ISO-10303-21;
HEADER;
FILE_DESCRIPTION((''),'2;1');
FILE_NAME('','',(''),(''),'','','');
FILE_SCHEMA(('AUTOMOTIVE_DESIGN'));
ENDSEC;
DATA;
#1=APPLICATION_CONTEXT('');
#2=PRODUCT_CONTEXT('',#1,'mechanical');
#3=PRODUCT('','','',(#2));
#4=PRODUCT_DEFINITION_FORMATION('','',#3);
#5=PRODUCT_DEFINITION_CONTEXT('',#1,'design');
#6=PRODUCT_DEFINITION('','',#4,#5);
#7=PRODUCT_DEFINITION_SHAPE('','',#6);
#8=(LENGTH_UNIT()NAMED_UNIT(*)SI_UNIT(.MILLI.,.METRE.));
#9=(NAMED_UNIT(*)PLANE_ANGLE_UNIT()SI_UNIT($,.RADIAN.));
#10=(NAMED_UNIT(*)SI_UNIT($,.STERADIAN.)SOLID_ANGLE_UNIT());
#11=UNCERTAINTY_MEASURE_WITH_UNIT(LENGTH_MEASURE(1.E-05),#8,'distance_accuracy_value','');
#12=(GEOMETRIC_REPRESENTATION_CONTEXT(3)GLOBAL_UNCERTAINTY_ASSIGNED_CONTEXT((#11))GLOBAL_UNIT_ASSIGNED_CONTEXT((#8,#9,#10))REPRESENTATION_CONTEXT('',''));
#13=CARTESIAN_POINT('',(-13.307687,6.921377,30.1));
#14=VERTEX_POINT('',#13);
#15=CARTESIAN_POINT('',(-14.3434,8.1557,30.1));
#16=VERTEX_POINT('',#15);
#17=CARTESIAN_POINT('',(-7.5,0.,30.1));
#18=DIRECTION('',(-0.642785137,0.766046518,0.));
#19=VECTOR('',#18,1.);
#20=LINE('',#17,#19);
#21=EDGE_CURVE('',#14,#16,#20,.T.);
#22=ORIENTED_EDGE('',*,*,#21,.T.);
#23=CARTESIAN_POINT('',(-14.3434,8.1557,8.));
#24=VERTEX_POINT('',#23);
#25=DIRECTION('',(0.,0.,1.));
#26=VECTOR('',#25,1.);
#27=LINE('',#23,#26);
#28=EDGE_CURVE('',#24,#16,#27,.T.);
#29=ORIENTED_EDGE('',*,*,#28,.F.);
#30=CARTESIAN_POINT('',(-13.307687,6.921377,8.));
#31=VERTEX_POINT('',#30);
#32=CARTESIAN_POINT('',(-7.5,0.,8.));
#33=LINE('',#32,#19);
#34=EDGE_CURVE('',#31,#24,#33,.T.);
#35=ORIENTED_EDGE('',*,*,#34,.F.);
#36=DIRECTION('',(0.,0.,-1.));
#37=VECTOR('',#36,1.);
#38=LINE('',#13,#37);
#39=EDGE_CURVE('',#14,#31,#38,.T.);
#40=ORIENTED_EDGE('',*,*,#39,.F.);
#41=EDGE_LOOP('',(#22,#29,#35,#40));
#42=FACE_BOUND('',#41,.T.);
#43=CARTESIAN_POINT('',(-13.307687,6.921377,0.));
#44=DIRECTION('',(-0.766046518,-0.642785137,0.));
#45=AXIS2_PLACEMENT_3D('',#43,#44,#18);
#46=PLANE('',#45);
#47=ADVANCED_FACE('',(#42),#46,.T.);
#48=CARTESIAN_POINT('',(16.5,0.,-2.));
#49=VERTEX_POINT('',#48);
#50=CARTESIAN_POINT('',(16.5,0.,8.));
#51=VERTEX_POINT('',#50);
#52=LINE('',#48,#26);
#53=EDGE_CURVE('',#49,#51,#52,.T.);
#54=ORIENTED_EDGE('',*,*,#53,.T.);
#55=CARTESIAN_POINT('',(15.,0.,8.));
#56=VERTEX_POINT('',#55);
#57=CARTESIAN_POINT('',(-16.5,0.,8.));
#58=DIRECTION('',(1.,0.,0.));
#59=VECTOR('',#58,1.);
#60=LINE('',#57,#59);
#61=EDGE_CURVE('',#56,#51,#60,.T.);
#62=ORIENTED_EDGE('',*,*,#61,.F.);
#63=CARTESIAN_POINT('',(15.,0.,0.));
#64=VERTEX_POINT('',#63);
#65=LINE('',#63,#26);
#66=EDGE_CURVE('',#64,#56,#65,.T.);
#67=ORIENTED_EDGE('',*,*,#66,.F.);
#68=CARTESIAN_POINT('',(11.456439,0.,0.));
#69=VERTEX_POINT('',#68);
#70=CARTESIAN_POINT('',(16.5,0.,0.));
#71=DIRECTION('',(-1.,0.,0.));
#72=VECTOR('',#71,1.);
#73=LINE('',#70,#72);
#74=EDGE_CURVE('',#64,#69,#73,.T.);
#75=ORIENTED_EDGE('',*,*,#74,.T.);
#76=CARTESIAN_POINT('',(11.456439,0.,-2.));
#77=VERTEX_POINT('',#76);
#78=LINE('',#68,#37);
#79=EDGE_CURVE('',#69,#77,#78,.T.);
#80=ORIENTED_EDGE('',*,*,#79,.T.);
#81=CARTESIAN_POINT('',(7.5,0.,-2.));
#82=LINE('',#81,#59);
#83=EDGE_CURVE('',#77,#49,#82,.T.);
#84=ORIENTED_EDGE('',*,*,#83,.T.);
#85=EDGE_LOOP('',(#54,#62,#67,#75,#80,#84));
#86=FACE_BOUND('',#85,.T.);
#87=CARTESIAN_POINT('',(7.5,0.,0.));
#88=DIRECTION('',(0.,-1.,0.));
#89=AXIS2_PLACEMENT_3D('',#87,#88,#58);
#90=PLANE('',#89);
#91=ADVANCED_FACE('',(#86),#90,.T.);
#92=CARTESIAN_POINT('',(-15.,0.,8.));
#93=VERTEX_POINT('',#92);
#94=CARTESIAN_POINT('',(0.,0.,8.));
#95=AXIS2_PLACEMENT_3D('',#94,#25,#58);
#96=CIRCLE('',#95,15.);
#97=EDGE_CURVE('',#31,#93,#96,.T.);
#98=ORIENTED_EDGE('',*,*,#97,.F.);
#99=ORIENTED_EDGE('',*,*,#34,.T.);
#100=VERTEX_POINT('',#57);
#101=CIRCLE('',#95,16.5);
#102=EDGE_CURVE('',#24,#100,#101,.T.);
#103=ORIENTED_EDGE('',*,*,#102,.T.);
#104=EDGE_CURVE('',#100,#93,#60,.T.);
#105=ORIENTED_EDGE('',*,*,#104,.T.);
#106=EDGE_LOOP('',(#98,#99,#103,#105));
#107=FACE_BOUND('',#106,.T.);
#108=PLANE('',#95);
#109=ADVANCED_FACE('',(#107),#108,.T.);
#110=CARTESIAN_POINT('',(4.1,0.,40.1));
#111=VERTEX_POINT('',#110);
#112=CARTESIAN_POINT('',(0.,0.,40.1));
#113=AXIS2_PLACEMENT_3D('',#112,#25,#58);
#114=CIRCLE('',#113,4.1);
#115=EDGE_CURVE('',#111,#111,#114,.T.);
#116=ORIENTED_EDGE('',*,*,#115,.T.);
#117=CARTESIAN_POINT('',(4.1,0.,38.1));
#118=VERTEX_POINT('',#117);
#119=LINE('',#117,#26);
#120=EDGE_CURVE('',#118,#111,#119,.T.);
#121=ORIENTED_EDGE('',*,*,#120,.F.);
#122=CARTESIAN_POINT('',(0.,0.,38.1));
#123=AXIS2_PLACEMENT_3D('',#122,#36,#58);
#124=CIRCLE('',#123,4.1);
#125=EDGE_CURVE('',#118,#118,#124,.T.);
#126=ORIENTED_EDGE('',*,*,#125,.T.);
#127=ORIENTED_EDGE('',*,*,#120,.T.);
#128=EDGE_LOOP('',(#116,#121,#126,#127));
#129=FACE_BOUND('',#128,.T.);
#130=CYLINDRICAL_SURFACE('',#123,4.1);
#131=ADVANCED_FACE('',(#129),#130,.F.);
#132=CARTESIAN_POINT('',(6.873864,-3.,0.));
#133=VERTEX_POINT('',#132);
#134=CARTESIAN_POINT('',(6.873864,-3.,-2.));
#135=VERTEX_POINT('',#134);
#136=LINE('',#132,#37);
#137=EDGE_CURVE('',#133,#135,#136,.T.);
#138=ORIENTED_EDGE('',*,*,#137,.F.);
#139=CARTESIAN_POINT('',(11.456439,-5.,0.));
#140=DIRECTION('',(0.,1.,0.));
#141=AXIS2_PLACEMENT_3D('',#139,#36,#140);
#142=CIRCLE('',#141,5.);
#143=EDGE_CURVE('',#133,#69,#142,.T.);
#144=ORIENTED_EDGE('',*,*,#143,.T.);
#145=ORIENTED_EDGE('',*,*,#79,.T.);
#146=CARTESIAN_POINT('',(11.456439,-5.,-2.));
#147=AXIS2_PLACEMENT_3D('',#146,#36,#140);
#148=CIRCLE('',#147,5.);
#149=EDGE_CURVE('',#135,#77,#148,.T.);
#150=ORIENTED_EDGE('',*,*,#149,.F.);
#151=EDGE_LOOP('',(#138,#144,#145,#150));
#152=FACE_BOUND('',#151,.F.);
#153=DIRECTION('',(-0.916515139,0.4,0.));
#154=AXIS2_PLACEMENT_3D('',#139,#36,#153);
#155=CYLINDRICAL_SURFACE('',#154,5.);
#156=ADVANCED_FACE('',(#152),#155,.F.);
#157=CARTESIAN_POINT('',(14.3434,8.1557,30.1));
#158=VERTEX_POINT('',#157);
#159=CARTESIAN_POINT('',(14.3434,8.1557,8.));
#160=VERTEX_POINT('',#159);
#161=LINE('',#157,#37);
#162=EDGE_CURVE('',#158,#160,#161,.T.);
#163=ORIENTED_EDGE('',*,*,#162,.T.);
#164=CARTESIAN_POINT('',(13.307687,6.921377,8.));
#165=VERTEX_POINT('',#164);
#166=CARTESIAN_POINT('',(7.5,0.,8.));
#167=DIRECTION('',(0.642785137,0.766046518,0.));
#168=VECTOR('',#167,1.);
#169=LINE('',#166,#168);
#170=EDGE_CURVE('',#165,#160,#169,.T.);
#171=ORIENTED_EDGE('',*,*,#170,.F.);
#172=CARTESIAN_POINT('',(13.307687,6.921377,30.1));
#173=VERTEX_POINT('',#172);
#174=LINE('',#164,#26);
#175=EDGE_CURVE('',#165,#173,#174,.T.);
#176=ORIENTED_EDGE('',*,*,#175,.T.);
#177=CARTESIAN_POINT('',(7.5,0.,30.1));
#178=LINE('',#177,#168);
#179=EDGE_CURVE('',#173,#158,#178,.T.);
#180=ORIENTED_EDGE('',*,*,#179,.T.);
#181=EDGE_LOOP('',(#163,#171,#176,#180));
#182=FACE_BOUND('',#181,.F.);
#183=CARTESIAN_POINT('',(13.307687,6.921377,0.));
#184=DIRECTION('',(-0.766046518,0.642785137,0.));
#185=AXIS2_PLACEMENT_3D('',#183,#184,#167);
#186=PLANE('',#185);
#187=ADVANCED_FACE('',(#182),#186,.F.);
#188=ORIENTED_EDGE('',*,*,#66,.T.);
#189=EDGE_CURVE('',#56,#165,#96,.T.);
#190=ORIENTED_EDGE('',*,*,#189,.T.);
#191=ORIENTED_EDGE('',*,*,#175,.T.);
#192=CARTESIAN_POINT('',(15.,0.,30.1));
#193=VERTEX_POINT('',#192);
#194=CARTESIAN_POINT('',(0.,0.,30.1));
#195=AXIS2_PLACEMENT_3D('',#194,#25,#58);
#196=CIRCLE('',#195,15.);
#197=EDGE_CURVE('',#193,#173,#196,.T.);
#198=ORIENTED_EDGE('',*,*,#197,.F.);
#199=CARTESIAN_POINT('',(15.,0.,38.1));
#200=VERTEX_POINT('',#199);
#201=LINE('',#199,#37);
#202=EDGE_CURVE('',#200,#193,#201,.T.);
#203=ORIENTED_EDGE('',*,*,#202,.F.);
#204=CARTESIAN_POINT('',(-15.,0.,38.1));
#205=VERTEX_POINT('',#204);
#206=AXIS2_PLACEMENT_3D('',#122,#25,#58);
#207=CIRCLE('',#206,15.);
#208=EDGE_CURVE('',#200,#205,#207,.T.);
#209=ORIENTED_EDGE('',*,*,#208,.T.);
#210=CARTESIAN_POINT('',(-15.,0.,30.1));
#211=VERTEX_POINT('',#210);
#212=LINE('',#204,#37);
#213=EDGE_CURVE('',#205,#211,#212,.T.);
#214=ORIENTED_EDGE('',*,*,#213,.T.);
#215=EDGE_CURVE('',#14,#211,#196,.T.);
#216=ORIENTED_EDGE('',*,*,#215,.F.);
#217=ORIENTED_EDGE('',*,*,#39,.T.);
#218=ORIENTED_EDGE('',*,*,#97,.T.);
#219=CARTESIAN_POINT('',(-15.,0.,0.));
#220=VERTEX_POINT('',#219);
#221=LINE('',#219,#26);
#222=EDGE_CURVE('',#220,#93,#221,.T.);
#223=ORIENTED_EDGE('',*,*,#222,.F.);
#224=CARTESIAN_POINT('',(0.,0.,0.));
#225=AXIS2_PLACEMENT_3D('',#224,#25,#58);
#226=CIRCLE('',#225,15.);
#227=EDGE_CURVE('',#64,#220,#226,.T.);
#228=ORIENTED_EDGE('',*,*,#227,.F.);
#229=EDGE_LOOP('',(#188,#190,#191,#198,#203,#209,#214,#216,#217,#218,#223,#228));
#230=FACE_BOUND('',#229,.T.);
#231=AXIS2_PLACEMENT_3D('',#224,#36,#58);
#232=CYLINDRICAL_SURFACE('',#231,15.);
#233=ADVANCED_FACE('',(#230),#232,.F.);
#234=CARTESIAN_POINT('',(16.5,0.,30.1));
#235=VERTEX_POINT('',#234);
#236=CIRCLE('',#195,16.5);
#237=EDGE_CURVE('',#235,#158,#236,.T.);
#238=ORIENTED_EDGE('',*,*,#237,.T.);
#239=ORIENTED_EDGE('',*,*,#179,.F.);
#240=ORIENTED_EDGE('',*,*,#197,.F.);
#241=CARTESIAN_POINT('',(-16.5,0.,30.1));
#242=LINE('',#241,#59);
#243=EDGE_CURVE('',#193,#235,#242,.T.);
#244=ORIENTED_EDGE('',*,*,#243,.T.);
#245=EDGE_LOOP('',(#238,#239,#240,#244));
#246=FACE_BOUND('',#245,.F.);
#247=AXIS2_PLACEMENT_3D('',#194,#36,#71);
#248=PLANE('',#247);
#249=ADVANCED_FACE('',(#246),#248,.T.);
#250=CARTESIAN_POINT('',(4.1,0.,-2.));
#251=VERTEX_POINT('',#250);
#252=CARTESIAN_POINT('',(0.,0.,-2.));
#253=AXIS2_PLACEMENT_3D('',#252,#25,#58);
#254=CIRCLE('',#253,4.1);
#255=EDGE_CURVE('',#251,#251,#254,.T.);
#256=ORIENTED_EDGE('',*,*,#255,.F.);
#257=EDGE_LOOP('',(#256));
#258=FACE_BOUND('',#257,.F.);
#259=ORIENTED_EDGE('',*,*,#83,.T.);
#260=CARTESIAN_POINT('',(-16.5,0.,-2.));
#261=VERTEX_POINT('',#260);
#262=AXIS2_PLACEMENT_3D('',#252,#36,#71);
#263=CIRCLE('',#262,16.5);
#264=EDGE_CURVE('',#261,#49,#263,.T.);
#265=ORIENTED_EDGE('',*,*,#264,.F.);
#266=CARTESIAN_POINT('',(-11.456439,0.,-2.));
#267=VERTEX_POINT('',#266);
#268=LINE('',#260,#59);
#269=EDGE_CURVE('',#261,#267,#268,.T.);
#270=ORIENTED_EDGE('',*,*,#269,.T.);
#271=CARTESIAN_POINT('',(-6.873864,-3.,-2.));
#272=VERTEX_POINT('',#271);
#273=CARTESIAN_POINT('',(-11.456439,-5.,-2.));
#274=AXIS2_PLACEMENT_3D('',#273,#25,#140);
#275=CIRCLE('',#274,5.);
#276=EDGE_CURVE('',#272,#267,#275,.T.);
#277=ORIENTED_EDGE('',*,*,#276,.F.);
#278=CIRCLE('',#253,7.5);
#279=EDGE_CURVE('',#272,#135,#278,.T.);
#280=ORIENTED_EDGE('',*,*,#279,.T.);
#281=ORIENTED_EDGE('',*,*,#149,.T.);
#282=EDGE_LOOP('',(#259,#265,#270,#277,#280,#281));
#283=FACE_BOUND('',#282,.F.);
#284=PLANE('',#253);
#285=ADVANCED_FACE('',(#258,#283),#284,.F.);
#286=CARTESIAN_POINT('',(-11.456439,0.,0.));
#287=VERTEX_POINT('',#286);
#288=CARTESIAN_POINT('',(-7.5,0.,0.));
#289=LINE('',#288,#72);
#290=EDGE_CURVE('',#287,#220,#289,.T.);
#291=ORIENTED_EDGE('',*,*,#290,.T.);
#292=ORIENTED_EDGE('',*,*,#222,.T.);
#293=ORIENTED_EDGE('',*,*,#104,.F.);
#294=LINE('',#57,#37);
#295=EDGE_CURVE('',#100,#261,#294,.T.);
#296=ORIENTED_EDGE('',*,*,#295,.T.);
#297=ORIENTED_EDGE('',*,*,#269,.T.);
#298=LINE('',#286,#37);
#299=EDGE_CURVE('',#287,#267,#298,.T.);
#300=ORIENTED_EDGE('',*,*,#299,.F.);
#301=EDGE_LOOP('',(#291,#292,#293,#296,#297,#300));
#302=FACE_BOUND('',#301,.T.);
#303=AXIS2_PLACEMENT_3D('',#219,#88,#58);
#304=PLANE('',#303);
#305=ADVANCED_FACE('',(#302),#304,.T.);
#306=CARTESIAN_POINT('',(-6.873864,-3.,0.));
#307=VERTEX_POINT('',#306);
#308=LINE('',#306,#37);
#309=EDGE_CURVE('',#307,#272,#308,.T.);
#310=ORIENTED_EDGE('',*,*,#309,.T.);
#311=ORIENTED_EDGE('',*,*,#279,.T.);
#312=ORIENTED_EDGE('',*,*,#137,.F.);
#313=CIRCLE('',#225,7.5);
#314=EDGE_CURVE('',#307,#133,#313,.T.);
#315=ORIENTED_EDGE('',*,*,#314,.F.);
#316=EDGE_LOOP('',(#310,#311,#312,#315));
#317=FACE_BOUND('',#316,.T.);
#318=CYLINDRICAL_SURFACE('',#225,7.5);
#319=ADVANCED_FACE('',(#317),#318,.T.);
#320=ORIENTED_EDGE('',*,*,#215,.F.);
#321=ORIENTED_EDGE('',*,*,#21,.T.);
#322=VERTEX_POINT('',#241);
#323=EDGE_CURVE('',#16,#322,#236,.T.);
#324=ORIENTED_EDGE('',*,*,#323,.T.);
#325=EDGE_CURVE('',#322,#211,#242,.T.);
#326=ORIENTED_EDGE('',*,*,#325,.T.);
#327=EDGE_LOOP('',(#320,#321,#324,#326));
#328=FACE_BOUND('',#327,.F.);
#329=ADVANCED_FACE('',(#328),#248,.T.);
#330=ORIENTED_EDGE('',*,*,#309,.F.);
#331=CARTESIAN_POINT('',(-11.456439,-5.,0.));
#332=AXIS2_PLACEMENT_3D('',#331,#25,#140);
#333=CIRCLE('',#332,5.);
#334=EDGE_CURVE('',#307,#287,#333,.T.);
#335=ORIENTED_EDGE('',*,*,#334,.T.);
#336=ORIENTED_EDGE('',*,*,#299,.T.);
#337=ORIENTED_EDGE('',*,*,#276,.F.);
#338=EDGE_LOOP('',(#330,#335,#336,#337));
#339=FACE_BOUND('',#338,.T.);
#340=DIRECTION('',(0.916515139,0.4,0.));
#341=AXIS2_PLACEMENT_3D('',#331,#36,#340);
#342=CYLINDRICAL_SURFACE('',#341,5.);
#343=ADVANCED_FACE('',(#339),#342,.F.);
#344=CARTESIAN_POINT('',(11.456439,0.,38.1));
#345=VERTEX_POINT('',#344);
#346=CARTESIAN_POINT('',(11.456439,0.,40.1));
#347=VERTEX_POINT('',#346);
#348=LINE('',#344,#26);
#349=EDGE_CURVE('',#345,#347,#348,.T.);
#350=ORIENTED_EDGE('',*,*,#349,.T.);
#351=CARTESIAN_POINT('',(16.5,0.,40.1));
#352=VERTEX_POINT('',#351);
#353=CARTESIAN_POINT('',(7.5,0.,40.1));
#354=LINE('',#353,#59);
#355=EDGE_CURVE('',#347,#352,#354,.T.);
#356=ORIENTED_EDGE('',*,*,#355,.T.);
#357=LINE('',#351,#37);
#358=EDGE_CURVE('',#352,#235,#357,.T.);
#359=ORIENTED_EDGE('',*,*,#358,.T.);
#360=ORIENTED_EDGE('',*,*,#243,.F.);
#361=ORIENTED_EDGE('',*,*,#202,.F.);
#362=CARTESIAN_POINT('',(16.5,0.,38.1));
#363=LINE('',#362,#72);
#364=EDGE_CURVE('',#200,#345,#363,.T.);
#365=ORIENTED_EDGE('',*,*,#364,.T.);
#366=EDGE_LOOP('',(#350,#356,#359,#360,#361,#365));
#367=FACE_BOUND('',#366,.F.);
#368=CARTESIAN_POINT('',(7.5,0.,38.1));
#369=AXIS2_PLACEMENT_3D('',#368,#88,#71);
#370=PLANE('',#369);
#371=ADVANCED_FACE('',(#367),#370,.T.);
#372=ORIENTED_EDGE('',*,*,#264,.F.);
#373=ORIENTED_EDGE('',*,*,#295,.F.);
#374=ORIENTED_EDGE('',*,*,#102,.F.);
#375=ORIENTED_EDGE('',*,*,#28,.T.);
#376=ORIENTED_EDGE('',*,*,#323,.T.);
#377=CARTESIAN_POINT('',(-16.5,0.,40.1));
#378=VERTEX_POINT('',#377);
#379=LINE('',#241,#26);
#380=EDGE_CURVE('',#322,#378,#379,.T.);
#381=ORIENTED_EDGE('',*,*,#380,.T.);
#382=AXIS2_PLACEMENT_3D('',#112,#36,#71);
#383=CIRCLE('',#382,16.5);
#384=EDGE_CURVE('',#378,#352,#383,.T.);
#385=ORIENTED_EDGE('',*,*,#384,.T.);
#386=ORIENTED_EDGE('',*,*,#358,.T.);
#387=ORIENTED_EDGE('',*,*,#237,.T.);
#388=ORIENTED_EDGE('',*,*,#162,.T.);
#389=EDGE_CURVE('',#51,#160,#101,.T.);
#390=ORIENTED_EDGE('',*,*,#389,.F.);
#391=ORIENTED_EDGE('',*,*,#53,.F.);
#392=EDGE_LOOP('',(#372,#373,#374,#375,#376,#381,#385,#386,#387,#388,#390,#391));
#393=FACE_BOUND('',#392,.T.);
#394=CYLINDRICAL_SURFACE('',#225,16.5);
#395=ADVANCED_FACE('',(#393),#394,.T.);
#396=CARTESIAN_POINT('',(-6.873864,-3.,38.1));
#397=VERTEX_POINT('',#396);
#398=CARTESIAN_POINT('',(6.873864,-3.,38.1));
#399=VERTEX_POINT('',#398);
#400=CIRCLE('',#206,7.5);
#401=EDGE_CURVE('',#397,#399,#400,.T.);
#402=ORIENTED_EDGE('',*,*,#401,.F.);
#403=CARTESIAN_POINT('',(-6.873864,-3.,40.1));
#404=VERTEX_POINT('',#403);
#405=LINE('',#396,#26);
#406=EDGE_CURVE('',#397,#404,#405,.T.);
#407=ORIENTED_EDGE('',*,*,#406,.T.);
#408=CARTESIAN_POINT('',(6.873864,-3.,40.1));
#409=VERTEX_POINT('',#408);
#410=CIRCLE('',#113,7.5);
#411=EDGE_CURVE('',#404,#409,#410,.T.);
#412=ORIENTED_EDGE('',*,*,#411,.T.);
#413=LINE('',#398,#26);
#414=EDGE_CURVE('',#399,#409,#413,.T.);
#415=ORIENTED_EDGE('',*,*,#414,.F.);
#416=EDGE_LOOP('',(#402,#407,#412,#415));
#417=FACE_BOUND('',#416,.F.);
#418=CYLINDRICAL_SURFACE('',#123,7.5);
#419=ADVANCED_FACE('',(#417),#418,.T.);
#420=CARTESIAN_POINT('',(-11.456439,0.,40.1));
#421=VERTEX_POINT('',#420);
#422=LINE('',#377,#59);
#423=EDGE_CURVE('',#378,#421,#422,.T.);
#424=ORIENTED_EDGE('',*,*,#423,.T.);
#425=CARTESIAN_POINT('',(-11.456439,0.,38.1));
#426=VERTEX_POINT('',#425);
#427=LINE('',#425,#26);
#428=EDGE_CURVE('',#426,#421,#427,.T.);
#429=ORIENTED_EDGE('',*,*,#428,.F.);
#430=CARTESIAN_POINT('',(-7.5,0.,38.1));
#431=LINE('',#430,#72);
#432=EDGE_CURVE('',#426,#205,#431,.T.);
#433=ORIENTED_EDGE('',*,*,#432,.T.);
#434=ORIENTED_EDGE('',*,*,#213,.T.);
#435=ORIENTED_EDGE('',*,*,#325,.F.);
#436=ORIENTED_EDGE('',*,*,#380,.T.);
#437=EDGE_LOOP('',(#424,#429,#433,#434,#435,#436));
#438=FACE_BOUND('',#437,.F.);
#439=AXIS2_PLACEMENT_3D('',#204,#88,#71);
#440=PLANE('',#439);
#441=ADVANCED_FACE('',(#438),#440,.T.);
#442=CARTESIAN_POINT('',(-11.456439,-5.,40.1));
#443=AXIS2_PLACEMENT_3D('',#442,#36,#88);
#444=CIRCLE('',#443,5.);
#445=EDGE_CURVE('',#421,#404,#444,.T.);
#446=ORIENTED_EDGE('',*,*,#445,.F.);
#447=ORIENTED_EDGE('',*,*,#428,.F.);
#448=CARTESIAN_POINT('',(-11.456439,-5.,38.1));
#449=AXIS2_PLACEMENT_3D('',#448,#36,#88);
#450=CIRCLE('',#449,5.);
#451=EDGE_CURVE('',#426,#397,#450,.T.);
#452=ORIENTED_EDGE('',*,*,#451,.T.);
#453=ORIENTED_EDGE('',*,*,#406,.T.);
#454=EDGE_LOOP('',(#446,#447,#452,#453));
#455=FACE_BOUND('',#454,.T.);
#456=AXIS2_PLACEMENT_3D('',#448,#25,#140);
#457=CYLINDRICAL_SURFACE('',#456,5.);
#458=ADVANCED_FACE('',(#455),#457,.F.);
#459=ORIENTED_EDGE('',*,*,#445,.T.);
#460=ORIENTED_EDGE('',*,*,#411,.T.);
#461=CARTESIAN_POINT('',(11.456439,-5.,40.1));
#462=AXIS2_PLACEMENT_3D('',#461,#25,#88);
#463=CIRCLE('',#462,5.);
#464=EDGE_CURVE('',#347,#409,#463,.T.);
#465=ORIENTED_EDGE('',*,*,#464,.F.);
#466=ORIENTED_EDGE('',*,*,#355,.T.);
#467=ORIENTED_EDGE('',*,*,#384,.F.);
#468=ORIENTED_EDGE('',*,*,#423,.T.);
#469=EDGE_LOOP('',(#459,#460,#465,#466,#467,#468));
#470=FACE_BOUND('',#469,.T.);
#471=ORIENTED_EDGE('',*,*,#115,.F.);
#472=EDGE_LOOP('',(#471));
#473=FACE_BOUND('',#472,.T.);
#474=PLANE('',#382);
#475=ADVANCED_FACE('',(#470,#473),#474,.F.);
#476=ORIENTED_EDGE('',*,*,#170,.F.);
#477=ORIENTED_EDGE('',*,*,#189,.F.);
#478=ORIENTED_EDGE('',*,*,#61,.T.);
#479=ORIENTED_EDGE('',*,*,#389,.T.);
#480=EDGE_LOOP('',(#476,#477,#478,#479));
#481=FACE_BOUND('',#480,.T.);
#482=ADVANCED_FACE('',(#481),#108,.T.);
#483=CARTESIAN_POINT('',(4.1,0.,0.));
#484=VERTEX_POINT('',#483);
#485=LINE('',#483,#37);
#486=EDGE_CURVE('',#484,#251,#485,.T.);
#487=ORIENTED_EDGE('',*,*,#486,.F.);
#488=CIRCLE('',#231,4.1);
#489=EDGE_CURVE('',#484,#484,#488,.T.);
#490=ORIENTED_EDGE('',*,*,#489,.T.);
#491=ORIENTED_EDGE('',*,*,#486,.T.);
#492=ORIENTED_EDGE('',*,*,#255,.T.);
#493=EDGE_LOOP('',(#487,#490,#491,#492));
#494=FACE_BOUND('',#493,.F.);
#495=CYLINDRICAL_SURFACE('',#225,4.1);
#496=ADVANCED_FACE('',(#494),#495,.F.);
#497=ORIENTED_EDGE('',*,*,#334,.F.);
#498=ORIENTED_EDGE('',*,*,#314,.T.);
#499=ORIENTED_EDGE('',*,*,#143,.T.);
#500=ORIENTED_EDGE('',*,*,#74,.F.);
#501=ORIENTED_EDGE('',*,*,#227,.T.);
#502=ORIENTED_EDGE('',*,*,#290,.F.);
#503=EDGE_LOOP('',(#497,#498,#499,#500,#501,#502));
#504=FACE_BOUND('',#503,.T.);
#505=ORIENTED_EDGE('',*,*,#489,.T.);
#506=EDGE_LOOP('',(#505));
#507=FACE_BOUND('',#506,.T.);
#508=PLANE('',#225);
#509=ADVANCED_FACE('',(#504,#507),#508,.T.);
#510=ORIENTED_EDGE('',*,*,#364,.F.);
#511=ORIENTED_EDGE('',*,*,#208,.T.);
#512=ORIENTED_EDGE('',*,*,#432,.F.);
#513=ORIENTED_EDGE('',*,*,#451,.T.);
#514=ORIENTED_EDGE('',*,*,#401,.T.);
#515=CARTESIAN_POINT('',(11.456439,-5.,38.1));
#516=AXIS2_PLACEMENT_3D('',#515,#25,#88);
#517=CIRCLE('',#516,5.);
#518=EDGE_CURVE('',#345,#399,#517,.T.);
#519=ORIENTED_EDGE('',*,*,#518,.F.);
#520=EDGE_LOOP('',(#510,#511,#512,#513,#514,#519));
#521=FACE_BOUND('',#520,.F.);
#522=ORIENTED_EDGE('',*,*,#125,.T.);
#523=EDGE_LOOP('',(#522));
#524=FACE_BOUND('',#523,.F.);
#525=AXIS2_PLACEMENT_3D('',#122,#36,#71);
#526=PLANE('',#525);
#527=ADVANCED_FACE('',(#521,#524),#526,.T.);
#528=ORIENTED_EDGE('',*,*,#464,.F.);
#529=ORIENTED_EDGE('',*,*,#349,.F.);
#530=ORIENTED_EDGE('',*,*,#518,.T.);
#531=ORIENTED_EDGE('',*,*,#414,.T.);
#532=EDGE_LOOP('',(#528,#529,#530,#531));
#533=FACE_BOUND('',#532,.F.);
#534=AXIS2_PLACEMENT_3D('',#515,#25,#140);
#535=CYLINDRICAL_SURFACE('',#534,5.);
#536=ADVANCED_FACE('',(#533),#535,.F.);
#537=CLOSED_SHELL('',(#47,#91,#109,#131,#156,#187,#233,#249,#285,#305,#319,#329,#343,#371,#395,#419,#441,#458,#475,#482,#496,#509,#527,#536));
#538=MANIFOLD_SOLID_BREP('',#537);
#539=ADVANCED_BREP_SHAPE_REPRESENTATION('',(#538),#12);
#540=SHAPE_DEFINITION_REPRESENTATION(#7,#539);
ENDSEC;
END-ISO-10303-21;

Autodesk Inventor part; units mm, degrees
ref_plane "YZ Plane" through (0, 0, 0) normal (1, 0, 0) x (0, 1, 0)
ref_plane "XZ Plane" through (0, 0, 0) normal (0, 1, 0) x (-1, 0, 0)
ref_plane "XY Plane" through (0, 0, 0) normal (0, 0, 1) x (1, 0, 0)
sketch "Sketch1" plane through (0, 0, 0) normal (0, 0, 1) x (1, 0, 0)
  circle A0 centre (0, 0) radius 4.1
  circle A1 centre (0, 0) radius 15
  circle A2 centre (0, 0) radius 16.5
  line L0 (-16.5, 0) -> (16.5, 0)
  circle A3 centre (0, 0) radius 7.5
  line L1 (-7.5, 0) -> (-14.3434, 8.1557)
  line L2 (7.5, 0) -> (14.3434, 8.1557)
  point P0 (-15, 0)
  point P1 (15, 0)
  point P2 (13.3077, 6.9213)
  point P3 (-13.3077, 6.9213)
  dimension "d0" = 8.2
  dimension "d1" = 30
  dimension "d2" = 33
  dimension "d5" = 15
  dimension "d6" = 50
extrude "Extrusion1" add sketch "Sketch1" along normal blind 19.05 contours A1 L1 A2 L2
extrude "Extrusion2" add sketch "Sketch1" against normal blind 2 contours L0 A3 A0 | A0 L0 A3 | L2 A1 L0 | A3 L1 A1 L2 | L0 A1 L1 | A1 L2 A2 L0 | A1 L1 A2 L2 | L0 A2 L1 A1
extrude "Extrusion3" add sketch "Sketch1" along normal blind 8 contours A1 L2 A2 L0 | L0 A2 L1 A1
mirror "Mirror1" about plane through (0, 11.7107, 19.05) normal (0, 0, 1)
fillet "Fillet1" radius 5 4 edges at (-7.5, 0, -1) (7.5, 0, -1) (7.5, 0, 39.1) (-7.5, 0, 39.1)
properties part number "pulley_bearing_base_cover"
